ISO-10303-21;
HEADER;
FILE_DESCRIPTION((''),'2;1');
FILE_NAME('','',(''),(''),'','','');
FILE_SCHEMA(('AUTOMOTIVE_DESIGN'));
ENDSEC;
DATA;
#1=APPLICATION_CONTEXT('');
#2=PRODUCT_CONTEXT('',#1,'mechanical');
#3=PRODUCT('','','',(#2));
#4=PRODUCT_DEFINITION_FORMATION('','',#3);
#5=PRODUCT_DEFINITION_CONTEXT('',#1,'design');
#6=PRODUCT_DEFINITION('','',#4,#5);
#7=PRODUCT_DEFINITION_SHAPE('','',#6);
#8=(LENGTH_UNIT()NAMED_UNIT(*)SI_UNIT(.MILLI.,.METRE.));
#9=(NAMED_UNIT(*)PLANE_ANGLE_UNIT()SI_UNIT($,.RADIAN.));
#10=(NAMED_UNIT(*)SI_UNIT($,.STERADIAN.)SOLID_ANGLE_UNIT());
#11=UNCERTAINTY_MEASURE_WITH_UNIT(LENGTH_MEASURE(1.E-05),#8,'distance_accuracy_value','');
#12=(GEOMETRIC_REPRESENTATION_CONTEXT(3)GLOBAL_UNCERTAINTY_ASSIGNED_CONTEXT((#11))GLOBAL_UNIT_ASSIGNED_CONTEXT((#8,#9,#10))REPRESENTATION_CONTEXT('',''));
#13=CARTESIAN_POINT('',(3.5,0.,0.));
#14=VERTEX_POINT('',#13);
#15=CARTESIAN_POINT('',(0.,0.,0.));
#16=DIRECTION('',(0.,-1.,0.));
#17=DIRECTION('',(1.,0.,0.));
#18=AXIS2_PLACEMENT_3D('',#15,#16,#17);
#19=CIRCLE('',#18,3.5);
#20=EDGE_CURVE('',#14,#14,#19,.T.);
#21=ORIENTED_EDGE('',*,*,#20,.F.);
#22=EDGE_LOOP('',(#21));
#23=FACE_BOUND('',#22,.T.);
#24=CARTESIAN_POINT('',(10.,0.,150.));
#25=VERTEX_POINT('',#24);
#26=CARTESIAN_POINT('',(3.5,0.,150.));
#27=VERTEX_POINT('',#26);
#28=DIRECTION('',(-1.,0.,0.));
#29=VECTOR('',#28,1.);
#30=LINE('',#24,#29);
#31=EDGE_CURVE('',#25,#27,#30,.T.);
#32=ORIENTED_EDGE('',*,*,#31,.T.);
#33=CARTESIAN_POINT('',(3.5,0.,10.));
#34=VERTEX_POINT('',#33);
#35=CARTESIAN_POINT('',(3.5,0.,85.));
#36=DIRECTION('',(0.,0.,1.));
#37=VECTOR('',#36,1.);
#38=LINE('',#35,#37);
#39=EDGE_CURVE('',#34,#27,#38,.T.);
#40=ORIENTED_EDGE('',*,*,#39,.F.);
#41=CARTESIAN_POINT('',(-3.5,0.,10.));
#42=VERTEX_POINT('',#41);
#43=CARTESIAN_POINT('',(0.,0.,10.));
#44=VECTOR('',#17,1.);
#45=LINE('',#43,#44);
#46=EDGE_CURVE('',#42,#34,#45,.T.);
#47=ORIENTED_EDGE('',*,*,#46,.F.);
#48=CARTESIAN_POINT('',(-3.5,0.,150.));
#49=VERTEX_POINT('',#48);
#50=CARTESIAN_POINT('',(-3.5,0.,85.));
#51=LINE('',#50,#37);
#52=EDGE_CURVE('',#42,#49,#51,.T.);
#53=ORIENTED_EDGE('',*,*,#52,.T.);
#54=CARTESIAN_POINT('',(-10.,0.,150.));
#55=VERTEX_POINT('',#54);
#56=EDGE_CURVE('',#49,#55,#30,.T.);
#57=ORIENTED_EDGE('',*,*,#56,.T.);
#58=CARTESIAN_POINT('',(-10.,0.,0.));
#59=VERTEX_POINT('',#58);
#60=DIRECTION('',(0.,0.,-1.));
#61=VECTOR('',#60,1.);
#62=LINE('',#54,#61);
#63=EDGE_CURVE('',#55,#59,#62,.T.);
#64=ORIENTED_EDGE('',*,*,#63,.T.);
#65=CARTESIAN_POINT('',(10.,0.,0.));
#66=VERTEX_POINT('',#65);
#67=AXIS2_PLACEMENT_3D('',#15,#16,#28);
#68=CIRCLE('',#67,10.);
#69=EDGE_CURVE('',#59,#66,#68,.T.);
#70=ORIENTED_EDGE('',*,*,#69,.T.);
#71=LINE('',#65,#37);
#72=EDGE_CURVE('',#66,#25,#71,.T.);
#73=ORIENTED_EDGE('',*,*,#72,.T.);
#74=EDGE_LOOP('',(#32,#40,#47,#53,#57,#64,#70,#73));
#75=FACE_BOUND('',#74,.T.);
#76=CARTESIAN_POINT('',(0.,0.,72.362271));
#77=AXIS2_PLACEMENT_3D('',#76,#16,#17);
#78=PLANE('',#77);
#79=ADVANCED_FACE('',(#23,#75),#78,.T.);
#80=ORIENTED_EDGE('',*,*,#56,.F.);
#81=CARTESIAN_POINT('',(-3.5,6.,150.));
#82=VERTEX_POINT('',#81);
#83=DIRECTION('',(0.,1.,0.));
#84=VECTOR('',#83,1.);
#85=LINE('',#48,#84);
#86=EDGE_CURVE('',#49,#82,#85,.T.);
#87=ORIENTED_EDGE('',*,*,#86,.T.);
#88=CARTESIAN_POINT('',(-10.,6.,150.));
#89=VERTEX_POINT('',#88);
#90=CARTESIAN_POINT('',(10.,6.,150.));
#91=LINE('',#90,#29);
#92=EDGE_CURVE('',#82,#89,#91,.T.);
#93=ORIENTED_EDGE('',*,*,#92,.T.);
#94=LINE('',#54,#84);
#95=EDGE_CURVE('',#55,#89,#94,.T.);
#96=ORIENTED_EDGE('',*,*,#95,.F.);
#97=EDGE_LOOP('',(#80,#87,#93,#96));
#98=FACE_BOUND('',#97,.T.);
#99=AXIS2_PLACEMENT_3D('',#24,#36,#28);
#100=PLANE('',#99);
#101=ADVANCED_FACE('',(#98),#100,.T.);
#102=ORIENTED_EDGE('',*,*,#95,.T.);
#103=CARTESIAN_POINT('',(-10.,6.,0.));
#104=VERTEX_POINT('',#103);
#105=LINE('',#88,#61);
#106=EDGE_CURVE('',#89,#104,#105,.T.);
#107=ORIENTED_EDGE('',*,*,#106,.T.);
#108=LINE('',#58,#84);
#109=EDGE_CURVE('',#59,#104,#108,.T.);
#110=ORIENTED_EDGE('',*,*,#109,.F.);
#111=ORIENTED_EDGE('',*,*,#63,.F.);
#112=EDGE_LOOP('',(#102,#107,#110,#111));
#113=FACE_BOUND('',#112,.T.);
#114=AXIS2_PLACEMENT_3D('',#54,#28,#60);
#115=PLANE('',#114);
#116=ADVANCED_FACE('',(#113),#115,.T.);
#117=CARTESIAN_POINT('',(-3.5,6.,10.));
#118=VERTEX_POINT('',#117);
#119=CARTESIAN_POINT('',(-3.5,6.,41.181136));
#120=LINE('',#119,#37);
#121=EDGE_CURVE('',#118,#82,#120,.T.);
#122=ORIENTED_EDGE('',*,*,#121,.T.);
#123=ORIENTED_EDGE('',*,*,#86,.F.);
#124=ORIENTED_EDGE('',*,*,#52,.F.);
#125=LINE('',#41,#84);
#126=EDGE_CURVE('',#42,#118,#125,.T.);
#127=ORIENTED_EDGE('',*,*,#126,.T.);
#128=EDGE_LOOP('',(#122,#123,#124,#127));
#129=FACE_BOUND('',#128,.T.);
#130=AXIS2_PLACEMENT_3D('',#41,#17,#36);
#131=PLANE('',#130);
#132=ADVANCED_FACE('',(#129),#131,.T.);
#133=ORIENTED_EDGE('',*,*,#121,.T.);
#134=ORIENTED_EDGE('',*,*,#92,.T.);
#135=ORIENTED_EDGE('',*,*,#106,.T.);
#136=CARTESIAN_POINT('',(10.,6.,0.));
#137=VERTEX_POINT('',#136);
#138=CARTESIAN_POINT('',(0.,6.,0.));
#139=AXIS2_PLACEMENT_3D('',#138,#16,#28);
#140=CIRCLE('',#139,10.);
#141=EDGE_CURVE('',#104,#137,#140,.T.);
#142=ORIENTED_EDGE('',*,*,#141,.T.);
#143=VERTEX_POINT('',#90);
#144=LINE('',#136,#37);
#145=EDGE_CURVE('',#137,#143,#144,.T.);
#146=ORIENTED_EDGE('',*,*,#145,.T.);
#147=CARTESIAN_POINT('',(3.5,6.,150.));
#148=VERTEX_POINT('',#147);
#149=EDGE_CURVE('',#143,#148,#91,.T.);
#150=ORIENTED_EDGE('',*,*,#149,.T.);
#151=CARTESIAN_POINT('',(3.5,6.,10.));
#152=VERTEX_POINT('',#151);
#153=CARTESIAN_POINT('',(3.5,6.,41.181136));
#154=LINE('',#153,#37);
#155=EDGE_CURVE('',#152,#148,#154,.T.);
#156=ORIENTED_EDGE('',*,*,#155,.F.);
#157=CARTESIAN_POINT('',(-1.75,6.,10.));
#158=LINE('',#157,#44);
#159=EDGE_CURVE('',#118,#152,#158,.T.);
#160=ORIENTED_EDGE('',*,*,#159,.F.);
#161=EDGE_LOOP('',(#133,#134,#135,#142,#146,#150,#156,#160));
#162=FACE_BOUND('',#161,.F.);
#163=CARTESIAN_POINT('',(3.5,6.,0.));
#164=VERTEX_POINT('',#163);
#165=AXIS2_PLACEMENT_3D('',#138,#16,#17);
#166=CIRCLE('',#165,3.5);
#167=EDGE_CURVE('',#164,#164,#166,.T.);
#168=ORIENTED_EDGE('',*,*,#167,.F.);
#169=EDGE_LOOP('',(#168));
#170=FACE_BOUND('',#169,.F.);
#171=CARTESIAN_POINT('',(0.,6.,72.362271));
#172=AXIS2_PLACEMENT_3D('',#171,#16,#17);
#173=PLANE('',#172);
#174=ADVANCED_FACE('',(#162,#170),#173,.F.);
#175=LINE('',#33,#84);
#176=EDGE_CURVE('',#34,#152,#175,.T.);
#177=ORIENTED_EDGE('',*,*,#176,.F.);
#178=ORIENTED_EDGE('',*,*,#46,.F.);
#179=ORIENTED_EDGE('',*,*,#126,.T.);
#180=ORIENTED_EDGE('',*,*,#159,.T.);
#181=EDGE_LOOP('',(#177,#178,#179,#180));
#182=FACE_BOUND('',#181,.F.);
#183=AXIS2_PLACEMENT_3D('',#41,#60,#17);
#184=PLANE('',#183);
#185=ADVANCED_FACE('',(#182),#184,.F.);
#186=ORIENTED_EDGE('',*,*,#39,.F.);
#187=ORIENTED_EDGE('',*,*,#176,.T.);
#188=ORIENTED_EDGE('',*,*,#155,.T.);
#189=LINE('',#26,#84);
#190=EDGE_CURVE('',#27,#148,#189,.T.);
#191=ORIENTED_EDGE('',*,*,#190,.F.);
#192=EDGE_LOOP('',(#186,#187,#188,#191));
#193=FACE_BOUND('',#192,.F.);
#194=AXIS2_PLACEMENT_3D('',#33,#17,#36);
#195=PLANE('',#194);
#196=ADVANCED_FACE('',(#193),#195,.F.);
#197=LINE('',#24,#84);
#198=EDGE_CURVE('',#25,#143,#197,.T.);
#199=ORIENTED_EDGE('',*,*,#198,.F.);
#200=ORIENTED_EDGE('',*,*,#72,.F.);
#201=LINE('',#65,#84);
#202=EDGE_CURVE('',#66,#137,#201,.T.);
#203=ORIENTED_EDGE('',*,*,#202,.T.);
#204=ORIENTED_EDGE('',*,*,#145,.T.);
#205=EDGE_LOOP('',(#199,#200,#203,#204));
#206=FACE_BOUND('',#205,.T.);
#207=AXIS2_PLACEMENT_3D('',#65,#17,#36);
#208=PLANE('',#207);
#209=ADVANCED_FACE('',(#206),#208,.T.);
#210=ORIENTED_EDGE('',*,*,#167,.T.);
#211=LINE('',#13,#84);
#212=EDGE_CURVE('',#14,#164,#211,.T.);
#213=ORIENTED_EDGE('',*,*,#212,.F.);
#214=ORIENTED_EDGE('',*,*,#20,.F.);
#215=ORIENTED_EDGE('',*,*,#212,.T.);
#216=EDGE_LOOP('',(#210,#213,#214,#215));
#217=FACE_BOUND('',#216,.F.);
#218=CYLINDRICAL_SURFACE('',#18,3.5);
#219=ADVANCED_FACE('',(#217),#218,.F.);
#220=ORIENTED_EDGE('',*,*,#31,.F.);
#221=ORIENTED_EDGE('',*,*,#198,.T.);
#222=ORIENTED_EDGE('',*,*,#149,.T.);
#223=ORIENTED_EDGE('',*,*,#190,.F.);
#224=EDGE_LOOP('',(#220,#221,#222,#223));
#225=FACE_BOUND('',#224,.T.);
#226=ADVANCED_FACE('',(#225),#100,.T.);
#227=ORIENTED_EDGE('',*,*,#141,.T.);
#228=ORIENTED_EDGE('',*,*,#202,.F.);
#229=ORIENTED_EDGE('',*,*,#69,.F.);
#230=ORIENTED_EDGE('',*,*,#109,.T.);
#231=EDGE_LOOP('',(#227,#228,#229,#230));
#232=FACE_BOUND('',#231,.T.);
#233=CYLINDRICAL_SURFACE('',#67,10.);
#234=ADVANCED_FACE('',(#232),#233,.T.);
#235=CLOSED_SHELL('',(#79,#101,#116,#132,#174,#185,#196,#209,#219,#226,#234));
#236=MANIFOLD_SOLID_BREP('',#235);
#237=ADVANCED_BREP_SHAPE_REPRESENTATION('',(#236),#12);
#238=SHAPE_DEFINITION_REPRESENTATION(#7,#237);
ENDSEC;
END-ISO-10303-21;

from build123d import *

# Parameters (mm, degrees)
F0_R     = 3.5
F1_DEPTH = 6
F2_W     = 7
F2_H     = 150
F3_DEPTH = 25


with BuildPart() as f1:
    # F0 (on Front) → F1 (new body)
    with BuildSketch(Plane.XZ):
        with BuildLine():
            Line((-10, 150), (-10, 0))
            ThreePointArc((-10, 0), (0, -10), (10, 0))
            Line((10, 0), (10, 150))
            Line((10, 150), (-10, 150))
        make_face()
        Circle(F0_R, mode=Mode.SUBTRACT)
    extrude(amount=-F1_DEPTH)

    # F2 (on face) → F3 (cut)
    with BuildSketch(Plane.XZ):
        with Locations((0, 85)):
            Rectangle(F2_W, F2_H)
    extrude(amount=-F3_DEPTH, mode=Mode.SUBTRACT)


solid = f1.part
